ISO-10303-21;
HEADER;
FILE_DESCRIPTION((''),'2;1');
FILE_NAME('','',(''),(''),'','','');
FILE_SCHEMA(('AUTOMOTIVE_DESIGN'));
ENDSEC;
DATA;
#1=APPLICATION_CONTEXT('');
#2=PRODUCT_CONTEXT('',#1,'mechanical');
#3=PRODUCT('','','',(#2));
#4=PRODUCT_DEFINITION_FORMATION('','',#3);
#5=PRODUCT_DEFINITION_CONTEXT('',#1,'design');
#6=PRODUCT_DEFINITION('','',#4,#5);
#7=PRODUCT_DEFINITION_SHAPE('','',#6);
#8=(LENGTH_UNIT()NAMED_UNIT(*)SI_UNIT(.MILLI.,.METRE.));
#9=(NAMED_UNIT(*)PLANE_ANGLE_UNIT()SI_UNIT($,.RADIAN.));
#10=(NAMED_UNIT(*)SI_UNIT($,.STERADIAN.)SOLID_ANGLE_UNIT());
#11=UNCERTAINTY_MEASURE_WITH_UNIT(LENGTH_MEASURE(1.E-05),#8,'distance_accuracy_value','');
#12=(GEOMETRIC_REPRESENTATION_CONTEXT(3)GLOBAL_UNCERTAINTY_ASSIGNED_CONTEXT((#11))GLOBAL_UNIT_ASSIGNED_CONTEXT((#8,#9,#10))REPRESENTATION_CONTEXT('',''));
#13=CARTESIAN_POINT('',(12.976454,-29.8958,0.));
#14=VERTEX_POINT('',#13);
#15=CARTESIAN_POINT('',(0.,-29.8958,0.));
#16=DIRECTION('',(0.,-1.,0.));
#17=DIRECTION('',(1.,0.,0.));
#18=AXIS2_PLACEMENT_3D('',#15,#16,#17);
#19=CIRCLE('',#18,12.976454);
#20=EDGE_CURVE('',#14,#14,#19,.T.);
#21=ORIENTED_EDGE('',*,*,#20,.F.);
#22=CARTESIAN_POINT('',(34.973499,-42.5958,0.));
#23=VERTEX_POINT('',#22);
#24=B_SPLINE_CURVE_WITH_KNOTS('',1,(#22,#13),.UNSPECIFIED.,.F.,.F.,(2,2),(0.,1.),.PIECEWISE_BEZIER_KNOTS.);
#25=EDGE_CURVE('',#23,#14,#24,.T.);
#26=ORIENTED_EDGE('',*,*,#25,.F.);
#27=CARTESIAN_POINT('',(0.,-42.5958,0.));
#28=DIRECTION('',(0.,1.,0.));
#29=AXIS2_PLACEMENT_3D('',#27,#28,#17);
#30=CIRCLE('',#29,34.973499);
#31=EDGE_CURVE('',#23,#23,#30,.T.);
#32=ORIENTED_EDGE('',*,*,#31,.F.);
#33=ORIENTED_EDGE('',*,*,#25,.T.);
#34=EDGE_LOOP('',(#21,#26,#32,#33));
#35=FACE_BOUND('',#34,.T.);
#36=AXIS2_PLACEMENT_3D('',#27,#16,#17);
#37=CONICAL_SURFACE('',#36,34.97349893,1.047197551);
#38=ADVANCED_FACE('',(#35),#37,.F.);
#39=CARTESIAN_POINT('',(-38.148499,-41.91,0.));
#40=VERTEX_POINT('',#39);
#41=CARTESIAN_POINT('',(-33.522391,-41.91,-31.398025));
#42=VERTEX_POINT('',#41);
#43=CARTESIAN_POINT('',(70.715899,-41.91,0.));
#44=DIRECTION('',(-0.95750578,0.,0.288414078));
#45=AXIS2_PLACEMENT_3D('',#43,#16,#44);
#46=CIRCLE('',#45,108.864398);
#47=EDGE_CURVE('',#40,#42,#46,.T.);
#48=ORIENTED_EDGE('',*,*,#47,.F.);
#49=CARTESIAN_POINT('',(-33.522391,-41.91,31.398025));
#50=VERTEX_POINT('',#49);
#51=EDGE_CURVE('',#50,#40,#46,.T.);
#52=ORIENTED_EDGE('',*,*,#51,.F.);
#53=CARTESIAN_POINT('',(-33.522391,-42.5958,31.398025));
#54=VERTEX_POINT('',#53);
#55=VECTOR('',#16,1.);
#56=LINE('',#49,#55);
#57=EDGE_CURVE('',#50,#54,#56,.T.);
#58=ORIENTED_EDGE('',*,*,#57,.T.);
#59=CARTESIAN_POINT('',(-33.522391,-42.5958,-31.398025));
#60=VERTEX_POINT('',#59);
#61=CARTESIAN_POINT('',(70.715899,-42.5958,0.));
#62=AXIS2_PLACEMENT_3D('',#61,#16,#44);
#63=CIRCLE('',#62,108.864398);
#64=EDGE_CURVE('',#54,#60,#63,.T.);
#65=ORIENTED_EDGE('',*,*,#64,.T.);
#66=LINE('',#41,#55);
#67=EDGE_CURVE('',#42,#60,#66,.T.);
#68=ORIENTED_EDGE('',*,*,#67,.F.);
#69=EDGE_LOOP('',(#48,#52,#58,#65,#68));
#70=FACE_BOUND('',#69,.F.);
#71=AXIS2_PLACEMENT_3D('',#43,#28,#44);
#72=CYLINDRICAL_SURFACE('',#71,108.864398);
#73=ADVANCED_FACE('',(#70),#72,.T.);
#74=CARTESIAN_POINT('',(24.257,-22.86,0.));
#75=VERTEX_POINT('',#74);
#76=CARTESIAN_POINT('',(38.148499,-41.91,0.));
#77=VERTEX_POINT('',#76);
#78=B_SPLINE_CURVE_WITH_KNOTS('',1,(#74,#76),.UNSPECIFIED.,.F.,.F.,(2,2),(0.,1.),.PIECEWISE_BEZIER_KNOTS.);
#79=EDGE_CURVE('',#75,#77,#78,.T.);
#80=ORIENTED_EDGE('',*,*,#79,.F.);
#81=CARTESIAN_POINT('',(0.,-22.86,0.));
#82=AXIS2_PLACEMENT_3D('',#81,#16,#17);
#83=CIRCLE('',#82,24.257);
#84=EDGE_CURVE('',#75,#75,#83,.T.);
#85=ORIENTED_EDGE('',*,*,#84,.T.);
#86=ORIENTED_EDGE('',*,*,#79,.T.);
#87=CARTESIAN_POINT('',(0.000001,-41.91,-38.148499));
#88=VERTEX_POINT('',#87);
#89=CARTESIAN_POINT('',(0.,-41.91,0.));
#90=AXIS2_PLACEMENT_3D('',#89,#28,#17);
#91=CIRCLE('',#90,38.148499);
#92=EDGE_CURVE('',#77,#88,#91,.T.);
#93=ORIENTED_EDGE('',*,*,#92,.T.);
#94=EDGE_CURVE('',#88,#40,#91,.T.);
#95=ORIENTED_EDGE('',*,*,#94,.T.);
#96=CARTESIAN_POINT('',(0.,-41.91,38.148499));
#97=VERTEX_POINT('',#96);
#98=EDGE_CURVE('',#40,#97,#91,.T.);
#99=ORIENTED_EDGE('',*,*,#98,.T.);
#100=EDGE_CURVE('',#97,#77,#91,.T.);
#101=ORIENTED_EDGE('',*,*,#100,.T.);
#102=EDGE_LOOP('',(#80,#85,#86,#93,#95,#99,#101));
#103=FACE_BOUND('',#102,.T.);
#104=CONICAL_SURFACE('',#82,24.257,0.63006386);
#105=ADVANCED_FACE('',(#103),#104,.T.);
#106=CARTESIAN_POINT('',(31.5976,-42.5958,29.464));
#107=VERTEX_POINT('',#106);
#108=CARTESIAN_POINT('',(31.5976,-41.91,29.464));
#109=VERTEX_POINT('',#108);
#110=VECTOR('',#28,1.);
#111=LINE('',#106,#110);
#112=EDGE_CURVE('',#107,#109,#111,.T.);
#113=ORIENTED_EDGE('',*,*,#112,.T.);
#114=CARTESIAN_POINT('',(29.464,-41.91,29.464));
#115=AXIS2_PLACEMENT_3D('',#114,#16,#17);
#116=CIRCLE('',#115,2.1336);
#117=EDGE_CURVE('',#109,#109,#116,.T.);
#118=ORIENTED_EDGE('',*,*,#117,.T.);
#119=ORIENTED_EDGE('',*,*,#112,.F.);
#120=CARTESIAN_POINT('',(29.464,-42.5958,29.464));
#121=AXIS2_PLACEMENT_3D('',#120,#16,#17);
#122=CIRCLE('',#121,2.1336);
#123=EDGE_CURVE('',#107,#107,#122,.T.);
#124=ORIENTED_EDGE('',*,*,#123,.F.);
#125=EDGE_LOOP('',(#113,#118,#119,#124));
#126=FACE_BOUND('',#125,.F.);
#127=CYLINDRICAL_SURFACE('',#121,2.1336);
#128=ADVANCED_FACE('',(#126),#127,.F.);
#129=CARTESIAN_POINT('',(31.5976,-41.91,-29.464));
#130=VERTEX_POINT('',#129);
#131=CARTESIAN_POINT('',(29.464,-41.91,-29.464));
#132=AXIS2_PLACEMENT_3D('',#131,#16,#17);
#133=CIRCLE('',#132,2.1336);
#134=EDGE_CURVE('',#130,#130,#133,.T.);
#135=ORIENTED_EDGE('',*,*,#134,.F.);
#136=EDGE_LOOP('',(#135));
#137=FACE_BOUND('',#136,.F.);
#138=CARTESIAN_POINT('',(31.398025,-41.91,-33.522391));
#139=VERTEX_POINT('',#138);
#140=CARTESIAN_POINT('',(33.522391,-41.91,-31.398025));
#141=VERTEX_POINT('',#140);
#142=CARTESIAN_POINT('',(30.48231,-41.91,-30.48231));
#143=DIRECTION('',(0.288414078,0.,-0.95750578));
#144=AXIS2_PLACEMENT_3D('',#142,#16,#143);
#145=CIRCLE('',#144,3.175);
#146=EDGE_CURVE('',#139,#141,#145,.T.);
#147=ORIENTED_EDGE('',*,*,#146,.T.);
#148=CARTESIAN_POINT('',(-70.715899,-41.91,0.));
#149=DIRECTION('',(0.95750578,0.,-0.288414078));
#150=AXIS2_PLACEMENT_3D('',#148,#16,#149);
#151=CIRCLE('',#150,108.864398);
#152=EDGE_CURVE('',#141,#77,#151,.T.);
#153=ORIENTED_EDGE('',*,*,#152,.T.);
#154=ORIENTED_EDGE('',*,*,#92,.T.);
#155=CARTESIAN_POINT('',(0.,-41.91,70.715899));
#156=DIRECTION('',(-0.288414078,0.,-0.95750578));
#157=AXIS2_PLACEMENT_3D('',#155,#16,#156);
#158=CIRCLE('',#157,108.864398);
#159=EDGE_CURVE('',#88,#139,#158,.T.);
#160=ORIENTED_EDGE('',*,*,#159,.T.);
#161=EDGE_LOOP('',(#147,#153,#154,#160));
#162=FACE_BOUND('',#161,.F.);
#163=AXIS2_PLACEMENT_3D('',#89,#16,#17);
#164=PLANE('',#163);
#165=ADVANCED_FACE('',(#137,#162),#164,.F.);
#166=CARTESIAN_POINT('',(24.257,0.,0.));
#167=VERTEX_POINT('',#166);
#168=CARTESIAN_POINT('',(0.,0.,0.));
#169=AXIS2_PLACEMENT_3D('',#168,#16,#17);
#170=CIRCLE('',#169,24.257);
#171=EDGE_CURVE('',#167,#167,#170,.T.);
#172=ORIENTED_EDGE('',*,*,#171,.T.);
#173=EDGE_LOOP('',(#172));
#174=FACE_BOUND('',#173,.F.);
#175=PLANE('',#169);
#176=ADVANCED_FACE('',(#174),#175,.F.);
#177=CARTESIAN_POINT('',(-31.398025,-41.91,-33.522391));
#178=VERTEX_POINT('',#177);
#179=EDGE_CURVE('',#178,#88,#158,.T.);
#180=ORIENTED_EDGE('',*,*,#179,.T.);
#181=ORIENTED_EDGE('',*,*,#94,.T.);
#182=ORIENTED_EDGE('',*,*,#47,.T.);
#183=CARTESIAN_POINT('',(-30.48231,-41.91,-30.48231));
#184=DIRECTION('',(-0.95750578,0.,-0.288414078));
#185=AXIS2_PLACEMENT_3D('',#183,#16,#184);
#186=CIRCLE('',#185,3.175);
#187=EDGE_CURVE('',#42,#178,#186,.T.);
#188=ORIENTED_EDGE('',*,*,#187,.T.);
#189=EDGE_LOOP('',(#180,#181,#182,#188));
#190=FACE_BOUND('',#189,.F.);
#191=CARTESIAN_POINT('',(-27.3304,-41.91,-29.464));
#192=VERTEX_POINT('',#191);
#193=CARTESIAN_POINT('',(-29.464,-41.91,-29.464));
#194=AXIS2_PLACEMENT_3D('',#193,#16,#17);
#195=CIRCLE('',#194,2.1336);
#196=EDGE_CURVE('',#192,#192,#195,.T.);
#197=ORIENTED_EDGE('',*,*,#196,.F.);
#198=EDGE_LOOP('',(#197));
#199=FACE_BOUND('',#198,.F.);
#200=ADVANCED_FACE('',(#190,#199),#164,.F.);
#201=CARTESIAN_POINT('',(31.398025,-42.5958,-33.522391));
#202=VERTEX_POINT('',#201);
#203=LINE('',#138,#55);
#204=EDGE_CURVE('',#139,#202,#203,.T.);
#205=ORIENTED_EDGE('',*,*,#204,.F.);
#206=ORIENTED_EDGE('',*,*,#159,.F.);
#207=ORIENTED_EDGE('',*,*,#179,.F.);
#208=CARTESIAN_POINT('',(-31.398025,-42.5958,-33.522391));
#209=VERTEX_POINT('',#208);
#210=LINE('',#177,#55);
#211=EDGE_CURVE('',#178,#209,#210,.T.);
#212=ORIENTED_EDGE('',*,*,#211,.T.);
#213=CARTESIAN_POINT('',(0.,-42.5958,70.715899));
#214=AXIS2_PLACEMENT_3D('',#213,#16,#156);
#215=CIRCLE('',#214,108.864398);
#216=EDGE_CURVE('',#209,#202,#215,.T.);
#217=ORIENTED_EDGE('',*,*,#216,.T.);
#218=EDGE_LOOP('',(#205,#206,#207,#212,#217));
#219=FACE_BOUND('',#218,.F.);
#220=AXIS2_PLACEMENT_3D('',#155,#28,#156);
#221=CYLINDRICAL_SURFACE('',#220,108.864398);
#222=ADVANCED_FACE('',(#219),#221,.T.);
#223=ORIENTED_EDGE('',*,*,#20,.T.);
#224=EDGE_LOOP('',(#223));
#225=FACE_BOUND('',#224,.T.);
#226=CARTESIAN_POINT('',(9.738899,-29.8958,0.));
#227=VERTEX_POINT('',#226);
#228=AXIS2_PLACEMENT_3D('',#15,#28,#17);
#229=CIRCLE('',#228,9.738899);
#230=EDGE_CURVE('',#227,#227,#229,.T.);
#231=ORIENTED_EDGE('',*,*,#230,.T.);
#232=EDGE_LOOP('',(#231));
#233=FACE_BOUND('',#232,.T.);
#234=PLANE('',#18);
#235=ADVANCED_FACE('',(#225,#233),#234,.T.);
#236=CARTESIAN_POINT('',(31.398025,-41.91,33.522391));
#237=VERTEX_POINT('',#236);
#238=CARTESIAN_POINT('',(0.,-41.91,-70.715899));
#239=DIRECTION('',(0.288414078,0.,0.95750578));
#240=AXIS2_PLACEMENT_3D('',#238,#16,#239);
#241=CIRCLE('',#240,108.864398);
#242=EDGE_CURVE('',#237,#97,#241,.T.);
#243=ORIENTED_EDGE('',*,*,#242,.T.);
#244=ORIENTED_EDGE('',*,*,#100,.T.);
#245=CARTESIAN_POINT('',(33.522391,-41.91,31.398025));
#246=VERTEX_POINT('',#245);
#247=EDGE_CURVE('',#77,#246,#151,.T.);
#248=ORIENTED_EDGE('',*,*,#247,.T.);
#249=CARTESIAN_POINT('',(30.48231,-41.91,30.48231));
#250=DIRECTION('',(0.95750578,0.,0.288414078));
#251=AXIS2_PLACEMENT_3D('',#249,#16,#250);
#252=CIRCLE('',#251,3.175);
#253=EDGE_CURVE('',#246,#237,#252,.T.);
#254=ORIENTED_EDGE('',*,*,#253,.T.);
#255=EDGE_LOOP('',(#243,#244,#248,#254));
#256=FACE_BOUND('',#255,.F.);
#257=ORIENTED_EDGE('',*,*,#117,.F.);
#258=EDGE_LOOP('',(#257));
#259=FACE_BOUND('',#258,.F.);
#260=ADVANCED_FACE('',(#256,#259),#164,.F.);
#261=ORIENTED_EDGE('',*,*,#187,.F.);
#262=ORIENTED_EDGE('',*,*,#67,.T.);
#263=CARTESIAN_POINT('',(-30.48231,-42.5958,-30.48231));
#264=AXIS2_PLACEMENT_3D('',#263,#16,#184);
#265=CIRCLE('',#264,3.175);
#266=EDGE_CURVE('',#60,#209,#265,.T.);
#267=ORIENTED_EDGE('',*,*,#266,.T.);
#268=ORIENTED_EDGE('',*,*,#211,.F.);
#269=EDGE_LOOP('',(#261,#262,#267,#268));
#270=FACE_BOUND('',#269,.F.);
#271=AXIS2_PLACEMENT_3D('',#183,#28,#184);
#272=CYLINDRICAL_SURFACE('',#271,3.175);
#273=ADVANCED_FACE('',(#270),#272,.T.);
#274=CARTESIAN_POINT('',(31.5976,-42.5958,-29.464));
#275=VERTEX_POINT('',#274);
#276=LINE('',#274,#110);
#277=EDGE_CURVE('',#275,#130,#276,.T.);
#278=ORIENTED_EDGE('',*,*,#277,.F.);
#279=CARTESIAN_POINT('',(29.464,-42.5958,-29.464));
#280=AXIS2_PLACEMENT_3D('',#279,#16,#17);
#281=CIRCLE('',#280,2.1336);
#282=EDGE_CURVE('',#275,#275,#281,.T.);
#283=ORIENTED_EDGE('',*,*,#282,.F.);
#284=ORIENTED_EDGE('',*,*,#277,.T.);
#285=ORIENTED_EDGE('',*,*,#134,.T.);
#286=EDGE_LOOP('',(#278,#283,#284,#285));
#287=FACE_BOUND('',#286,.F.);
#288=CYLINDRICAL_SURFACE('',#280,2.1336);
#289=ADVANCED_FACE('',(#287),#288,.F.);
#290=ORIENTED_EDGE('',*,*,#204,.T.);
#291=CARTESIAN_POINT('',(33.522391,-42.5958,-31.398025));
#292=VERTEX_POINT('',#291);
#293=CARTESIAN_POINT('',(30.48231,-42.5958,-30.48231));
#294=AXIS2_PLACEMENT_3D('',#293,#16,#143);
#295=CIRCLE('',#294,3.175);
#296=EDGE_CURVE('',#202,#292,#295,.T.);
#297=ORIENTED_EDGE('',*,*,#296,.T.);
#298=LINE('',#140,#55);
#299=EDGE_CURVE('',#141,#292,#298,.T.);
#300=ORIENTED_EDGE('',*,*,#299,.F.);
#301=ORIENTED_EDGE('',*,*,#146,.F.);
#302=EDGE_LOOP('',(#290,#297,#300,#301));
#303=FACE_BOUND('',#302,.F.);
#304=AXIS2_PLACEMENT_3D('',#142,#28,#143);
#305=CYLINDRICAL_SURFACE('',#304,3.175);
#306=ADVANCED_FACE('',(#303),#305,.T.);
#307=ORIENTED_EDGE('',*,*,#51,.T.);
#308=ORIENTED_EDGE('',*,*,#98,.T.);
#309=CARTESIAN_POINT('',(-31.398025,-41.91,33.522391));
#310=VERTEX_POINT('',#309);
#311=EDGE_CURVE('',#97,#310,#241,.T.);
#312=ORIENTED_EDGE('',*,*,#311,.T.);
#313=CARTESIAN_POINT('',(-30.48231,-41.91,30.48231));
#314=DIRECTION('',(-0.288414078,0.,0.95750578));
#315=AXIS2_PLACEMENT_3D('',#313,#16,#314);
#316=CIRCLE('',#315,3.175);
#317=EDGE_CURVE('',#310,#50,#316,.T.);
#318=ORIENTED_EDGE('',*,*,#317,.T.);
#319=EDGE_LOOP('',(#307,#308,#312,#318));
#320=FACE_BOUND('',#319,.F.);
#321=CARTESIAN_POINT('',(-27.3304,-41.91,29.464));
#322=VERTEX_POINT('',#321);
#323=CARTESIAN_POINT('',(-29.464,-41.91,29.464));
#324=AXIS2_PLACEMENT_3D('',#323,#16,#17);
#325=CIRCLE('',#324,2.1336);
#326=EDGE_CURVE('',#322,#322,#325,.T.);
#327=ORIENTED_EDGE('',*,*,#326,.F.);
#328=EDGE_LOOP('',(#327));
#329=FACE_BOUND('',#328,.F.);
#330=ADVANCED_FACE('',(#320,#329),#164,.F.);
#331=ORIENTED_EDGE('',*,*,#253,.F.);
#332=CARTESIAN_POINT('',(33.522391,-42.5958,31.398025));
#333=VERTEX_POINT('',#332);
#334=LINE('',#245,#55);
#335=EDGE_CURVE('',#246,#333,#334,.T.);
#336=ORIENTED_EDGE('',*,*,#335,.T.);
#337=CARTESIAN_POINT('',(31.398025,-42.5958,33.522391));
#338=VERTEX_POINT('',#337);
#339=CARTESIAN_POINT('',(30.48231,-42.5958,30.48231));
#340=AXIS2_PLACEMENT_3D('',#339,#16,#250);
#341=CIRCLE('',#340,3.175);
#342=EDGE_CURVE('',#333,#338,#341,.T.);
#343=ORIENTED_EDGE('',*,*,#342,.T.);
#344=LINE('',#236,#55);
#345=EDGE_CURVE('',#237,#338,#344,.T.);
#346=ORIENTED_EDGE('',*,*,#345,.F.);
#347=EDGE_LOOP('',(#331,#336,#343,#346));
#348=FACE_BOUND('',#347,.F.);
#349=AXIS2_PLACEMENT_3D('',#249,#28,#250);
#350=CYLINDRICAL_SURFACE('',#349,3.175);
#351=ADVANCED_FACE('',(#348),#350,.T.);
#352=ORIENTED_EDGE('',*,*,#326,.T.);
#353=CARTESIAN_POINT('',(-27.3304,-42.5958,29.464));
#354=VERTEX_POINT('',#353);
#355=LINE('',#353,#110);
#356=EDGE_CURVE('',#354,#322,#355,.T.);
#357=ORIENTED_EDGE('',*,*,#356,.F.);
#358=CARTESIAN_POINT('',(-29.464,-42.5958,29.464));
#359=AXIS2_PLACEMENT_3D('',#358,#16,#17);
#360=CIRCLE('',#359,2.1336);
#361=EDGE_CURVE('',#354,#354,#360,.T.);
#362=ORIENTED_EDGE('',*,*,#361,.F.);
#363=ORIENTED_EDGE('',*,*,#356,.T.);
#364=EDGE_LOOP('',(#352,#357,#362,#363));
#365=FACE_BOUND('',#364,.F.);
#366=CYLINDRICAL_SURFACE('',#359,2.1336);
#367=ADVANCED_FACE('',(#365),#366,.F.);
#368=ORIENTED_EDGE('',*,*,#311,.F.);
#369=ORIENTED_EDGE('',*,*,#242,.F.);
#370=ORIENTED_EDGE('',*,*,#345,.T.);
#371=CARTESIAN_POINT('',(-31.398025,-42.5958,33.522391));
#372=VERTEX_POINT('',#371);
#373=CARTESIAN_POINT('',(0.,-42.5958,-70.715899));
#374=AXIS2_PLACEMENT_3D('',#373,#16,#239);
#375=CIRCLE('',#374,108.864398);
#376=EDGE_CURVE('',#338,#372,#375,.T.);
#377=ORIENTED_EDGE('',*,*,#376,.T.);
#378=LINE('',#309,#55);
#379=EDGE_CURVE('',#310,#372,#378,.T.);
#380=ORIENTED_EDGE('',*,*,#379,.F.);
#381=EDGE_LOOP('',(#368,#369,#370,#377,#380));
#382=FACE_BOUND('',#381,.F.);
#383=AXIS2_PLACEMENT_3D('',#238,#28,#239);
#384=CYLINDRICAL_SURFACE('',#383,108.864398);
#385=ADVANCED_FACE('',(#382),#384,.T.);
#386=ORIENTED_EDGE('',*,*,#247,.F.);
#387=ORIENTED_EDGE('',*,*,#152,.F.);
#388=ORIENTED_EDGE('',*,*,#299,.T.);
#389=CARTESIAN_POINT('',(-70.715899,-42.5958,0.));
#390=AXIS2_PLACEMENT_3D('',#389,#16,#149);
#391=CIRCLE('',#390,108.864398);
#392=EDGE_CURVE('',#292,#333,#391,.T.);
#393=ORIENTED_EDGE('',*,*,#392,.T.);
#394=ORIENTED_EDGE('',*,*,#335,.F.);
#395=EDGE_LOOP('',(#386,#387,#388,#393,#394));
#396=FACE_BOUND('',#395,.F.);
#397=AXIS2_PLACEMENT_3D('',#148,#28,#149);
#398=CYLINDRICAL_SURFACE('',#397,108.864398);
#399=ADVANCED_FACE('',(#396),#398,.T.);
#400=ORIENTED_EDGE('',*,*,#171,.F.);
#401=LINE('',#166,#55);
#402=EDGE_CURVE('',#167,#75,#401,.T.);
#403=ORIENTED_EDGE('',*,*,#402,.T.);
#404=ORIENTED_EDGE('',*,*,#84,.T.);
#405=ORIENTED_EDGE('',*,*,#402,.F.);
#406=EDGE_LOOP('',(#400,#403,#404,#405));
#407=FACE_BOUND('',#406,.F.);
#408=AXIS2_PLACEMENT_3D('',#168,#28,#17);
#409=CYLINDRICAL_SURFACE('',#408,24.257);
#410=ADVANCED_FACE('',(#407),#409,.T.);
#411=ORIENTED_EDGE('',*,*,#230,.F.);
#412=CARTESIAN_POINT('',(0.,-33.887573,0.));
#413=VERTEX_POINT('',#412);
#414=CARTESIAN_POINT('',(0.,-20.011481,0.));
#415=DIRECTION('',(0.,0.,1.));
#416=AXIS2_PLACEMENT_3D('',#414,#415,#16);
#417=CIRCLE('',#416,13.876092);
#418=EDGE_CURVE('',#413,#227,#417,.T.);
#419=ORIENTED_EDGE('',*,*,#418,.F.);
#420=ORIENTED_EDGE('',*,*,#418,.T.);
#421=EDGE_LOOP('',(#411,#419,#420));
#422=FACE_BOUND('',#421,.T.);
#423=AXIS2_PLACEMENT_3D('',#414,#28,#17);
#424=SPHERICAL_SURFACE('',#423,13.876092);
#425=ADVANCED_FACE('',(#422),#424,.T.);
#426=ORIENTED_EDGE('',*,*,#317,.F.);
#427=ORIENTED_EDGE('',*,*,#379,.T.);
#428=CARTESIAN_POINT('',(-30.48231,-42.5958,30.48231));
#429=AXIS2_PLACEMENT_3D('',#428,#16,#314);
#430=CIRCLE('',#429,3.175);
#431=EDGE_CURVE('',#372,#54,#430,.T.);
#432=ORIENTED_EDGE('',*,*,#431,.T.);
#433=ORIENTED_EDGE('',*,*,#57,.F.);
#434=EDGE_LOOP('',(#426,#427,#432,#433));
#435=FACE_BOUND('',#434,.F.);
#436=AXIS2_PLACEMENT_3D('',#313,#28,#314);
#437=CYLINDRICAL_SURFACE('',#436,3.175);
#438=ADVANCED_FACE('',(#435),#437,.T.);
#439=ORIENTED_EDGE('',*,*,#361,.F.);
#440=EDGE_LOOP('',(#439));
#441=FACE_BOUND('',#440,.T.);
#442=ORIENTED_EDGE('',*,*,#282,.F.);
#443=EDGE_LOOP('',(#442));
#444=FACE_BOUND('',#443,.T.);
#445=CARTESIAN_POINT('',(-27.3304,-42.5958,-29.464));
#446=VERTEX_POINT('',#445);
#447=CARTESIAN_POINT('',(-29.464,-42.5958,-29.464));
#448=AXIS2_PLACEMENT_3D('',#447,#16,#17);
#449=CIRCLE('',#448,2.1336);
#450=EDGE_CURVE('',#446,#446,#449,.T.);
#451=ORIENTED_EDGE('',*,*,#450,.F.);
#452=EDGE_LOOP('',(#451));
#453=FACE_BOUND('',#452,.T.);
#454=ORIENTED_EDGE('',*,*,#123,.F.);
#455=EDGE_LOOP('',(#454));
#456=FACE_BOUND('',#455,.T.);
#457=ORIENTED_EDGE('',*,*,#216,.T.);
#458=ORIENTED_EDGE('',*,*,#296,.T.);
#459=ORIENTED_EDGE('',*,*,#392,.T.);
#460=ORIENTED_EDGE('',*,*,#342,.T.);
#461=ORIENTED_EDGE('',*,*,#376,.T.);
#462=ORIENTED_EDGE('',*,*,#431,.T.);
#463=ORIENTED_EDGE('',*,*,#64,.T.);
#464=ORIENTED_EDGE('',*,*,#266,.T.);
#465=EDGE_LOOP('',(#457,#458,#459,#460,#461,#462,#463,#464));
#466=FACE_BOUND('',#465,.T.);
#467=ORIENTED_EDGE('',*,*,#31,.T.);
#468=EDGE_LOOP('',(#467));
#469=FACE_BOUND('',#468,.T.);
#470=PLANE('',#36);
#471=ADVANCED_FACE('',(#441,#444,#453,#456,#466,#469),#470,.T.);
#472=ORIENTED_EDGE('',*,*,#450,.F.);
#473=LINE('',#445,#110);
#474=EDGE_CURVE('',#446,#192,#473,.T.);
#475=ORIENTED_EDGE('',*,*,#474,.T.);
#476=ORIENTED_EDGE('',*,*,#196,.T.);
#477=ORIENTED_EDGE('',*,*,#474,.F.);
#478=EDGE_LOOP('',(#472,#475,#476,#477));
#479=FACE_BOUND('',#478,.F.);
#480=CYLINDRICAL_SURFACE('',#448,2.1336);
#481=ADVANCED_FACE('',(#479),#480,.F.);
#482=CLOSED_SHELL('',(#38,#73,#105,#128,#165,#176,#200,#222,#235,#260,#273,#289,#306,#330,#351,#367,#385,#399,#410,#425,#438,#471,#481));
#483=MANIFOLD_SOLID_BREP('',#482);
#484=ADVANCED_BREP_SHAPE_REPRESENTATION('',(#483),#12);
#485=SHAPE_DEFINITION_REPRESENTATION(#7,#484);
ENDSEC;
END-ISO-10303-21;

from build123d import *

# Parameters (mm, degrees)
F0_R     = 24.257
F1_DEPTH = 22.86
F2_R     = 24.257
F3_DEPTH = 19.05
F3_TAPER = -36.1
F5_DEPTH = 0.6858
F6_R     = 34.97349893
F7_DEPTH = 12.7
F7_TAPER = 60
F8_R     = 2.1336
F9_DEPTH = 42.5968


with BuildPart() as f1:
    # F0 (on Front) → F1 (new body)
    with BuildSketch(Plane.XZ):
        Circle(F0_R)
    extrude(amount=F1_DEPTH)

    # F2 (on face) → F3 (join)
    with BuildSketch(Plane.XZ.offset(22.86)):
        Circle(F2_R)
    extrude(amount=F3_DEPTH, taper=F3_TAPER)

    # F4 (on face) → F5 (join)
    with BuildSketch(Plane.XZ.offset(41.91)):
        with BuildLine():
            ThreePointArc((33.5223912747, 31.3980251207), (32.7273744523, 32.7273744523), (31.3980251207, 33.5223912747))
            ThreePointArc((31.3980251207, 33.5223912747), (0, 38.14849893), (-31.3980251207, 33.5223912747))
            ThreePointArc((-31.3980251207, 33.5223912747), (-32.7273744523, 32.7273744523), (-33.5223912747, 31.3980251207))
            ThreePointArc((-33.5223912747, 31.3980251207), (-38.14849893, 0), (-33.5223912747, -31.3980251207))
            ThreePointArc((-33.5223912747, -31.3980251207), (-32.7273744523, -32.7273744523), (-31.3980251207, -33.5223912747))
            ThreePointArc((-31.3980251207, -33.5223912747), (0, -38.14849893), (31.3980251207, -33.5223912747))
            ThreePointArc((31.3980251207, -33.5223912747), (32.7273744523, -32.7273744523), (33.5223912747, -31.3980251207))
            ThreePointArc((33.5223912747, -31.3980251207), (38.14849893, 0), (33.5223912747, 31.3980251207))
        make_face()
    extrude(amount=F5_DEPTH)

    # F6 (on face) → F7 (cut)
    with BuildSketch(Plane.XZ.offset(42.5958)):
        Circle(F6_R)
    extrude(amount=-F7_DEPTH, taper=F7_TAPER, mode=Mode.SUBTRACT)

    # F8 (on face) → F9 (cut, through all)
    with BuildSketch(Plane.XZ.offset(42.5958)):
        with Locations((-29.464, 29.464)):
            Circle(F8_R)
        with Locations((29.464, 29.464)):
            Circle(F8_R)
        with Locations((-29.464, -29.464)):
            Circle(F8_R)
        with Locations((29.464, -29.464)):
            Circle(F8_R)
    extrude(amount=-F9_DEPTH, mode=Mode.SUBTRACT)

    # F10 (on Top) → F11 (revolve)
    with BuildSketch(Plane.XY):
        with BuildLine():
            Line((0, -20.0114808977), (0, -33.8875725865))
            ThreePointArc((0, -33.8875725865), (5.9030029242, -32.5693659519), (10.6844540753, -28.8652011141))
            Line((10.6844540753, -28.8652011141), (0, -20.0114808977))
        make_face()
    revolve(axis=Axis((0, -26.9495267421, 0), (0, 1, 0)))


solid = f1.part
